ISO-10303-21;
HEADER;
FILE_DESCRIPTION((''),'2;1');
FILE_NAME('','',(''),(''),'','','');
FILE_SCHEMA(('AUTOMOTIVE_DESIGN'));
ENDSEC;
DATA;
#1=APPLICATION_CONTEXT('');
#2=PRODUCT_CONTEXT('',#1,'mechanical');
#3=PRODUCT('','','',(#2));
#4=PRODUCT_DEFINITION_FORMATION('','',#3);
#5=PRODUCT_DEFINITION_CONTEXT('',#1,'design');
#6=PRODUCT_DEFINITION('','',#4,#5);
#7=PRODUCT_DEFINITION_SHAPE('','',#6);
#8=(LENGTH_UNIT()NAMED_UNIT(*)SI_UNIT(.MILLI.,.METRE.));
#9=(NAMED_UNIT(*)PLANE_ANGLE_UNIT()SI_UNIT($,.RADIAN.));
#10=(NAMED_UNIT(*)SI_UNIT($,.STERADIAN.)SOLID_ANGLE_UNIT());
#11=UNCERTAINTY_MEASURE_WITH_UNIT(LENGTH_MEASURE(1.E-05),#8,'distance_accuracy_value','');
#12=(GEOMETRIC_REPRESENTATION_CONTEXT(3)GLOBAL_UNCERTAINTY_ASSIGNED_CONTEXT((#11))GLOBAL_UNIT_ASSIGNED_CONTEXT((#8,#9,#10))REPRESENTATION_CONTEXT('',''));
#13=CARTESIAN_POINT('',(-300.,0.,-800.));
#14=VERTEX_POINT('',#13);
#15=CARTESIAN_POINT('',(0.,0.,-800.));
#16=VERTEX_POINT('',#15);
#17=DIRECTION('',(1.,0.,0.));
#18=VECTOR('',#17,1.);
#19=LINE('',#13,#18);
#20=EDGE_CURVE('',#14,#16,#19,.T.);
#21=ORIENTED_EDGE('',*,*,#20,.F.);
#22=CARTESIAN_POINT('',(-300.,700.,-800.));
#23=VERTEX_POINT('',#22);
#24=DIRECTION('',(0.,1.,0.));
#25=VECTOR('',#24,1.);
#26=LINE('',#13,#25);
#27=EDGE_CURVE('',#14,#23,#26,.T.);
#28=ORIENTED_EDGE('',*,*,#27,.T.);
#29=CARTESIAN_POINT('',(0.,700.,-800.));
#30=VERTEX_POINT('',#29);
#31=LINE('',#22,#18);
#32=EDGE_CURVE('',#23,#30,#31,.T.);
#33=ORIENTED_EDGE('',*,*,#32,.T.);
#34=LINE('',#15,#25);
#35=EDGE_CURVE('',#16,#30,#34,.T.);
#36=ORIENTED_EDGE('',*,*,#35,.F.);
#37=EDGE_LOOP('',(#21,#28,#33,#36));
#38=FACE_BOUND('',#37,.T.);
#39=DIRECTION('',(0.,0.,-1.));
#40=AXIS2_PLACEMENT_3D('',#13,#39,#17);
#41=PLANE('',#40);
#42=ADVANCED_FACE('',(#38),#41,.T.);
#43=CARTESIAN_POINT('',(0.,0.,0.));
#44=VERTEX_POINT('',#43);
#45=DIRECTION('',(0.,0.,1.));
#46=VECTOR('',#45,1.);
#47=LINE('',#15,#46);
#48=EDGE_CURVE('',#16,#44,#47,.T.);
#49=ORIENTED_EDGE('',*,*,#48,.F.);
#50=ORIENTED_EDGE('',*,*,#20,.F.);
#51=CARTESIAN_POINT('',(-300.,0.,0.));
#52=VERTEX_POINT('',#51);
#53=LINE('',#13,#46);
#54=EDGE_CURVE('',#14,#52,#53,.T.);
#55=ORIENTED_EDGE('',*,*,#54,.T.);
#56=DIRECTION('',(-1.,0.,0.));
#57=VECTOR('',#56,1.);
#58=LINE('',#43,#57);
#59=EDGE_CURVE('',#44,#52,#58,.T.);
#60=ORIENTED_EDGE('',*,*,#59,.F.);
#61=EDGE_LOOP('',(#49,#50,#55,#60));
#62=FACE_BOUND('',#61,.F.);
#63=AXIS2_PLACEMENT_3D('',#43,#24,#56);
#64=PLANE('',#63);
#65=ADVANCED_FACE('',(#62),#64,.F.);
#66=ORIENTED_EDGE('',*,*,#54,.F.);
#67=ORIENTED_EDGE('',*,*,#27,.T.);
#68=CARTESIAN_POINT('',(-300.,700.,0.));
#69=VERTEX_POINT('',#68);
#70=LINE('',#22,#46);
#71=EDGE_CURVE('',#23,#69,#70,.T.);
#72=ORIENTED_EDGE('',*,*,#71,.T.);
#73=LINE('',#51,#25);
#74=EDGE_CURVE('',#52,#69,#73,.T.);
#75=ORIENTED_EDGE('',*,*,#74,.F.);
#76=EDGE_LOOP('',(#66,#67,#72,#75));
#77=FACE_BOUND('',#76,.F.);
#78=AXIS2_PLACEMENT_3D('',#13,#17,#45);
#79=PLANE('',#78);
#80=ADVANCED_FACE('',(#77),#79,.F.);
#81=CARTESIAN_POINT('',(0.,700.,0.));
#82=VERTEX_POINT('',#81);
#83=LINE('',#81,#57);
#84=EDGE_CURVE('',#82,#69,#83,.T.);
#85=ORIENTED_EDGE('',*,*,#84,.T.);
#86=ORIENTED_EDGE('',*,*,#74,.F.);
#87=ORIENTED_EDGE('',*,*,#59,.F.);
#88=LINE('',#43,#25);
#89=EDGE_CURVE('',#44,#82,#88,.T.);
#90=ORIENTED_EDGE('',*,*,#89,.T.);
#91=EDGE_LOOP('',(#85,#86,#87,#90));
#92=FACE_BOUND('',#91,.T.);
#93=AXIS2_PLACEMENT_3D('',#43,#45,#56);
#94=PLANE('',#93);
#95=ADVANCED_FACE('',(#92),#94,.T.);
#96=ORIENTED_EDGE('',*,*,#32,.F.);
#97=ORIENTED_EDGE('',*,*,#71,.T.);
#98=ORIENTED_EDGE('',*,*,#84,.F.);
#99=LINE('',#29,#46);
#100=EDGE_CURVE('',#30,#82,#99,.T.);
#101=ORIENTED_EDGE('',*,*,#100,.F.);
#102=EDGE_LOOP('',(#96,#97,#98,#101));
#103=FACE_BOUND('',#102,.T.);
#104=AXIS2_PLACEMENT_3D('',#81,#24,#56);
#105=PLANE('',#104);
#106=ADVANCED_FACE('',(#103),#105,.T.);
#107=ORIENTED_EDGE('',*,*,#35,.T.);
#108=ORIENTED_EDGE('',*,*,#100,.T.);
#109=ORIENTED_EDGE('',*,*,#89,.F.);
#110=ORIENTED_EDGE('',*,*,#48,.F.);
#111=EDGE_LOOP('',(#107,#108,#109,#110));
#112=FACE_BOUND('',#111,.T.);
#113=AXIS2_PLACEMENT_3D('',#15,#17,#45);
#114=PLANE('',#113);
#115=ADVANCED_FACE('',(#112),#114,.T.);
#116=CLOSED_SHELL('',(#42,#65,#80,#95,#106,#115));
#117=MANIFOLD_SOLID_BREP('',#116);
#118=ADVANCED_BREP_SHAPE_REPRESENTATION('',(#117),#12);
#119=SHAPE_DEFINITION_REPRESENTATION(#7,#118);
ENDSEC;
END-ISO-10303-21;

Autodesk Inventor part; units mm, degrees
ref_plane "YZ Plane" through (0, 0, 0) normal (1, 0, 0) x (0, 1, 0)
ref_plane "XZ Plane" through (0, 0, 0) normal (0, 1, 0) x (-1, 0, 0)
ref_plane "XY Plane" through (0, 0, 0) normal (0, 0, 1) x (1, 0, 0)
sketch "草圖1" plane through (0, 0, 0) normal (0, 1, 0) x (-1, 0, 0)
  line L0 (0, 0) -> (300, 0)
  line L1 (300, -800) -> (0, -800)
  line L2 (300, -800) -> (300, 0)
  line L3 (0, -800) -> (0, 0)
  line L4 (300, 0) -> (0, 0)
  dimension "d7" = 300
  dimension "d8" = 800
extrude "擠出1" add sketch "草圖1" along normal blind 700
properties part number "桌1"
